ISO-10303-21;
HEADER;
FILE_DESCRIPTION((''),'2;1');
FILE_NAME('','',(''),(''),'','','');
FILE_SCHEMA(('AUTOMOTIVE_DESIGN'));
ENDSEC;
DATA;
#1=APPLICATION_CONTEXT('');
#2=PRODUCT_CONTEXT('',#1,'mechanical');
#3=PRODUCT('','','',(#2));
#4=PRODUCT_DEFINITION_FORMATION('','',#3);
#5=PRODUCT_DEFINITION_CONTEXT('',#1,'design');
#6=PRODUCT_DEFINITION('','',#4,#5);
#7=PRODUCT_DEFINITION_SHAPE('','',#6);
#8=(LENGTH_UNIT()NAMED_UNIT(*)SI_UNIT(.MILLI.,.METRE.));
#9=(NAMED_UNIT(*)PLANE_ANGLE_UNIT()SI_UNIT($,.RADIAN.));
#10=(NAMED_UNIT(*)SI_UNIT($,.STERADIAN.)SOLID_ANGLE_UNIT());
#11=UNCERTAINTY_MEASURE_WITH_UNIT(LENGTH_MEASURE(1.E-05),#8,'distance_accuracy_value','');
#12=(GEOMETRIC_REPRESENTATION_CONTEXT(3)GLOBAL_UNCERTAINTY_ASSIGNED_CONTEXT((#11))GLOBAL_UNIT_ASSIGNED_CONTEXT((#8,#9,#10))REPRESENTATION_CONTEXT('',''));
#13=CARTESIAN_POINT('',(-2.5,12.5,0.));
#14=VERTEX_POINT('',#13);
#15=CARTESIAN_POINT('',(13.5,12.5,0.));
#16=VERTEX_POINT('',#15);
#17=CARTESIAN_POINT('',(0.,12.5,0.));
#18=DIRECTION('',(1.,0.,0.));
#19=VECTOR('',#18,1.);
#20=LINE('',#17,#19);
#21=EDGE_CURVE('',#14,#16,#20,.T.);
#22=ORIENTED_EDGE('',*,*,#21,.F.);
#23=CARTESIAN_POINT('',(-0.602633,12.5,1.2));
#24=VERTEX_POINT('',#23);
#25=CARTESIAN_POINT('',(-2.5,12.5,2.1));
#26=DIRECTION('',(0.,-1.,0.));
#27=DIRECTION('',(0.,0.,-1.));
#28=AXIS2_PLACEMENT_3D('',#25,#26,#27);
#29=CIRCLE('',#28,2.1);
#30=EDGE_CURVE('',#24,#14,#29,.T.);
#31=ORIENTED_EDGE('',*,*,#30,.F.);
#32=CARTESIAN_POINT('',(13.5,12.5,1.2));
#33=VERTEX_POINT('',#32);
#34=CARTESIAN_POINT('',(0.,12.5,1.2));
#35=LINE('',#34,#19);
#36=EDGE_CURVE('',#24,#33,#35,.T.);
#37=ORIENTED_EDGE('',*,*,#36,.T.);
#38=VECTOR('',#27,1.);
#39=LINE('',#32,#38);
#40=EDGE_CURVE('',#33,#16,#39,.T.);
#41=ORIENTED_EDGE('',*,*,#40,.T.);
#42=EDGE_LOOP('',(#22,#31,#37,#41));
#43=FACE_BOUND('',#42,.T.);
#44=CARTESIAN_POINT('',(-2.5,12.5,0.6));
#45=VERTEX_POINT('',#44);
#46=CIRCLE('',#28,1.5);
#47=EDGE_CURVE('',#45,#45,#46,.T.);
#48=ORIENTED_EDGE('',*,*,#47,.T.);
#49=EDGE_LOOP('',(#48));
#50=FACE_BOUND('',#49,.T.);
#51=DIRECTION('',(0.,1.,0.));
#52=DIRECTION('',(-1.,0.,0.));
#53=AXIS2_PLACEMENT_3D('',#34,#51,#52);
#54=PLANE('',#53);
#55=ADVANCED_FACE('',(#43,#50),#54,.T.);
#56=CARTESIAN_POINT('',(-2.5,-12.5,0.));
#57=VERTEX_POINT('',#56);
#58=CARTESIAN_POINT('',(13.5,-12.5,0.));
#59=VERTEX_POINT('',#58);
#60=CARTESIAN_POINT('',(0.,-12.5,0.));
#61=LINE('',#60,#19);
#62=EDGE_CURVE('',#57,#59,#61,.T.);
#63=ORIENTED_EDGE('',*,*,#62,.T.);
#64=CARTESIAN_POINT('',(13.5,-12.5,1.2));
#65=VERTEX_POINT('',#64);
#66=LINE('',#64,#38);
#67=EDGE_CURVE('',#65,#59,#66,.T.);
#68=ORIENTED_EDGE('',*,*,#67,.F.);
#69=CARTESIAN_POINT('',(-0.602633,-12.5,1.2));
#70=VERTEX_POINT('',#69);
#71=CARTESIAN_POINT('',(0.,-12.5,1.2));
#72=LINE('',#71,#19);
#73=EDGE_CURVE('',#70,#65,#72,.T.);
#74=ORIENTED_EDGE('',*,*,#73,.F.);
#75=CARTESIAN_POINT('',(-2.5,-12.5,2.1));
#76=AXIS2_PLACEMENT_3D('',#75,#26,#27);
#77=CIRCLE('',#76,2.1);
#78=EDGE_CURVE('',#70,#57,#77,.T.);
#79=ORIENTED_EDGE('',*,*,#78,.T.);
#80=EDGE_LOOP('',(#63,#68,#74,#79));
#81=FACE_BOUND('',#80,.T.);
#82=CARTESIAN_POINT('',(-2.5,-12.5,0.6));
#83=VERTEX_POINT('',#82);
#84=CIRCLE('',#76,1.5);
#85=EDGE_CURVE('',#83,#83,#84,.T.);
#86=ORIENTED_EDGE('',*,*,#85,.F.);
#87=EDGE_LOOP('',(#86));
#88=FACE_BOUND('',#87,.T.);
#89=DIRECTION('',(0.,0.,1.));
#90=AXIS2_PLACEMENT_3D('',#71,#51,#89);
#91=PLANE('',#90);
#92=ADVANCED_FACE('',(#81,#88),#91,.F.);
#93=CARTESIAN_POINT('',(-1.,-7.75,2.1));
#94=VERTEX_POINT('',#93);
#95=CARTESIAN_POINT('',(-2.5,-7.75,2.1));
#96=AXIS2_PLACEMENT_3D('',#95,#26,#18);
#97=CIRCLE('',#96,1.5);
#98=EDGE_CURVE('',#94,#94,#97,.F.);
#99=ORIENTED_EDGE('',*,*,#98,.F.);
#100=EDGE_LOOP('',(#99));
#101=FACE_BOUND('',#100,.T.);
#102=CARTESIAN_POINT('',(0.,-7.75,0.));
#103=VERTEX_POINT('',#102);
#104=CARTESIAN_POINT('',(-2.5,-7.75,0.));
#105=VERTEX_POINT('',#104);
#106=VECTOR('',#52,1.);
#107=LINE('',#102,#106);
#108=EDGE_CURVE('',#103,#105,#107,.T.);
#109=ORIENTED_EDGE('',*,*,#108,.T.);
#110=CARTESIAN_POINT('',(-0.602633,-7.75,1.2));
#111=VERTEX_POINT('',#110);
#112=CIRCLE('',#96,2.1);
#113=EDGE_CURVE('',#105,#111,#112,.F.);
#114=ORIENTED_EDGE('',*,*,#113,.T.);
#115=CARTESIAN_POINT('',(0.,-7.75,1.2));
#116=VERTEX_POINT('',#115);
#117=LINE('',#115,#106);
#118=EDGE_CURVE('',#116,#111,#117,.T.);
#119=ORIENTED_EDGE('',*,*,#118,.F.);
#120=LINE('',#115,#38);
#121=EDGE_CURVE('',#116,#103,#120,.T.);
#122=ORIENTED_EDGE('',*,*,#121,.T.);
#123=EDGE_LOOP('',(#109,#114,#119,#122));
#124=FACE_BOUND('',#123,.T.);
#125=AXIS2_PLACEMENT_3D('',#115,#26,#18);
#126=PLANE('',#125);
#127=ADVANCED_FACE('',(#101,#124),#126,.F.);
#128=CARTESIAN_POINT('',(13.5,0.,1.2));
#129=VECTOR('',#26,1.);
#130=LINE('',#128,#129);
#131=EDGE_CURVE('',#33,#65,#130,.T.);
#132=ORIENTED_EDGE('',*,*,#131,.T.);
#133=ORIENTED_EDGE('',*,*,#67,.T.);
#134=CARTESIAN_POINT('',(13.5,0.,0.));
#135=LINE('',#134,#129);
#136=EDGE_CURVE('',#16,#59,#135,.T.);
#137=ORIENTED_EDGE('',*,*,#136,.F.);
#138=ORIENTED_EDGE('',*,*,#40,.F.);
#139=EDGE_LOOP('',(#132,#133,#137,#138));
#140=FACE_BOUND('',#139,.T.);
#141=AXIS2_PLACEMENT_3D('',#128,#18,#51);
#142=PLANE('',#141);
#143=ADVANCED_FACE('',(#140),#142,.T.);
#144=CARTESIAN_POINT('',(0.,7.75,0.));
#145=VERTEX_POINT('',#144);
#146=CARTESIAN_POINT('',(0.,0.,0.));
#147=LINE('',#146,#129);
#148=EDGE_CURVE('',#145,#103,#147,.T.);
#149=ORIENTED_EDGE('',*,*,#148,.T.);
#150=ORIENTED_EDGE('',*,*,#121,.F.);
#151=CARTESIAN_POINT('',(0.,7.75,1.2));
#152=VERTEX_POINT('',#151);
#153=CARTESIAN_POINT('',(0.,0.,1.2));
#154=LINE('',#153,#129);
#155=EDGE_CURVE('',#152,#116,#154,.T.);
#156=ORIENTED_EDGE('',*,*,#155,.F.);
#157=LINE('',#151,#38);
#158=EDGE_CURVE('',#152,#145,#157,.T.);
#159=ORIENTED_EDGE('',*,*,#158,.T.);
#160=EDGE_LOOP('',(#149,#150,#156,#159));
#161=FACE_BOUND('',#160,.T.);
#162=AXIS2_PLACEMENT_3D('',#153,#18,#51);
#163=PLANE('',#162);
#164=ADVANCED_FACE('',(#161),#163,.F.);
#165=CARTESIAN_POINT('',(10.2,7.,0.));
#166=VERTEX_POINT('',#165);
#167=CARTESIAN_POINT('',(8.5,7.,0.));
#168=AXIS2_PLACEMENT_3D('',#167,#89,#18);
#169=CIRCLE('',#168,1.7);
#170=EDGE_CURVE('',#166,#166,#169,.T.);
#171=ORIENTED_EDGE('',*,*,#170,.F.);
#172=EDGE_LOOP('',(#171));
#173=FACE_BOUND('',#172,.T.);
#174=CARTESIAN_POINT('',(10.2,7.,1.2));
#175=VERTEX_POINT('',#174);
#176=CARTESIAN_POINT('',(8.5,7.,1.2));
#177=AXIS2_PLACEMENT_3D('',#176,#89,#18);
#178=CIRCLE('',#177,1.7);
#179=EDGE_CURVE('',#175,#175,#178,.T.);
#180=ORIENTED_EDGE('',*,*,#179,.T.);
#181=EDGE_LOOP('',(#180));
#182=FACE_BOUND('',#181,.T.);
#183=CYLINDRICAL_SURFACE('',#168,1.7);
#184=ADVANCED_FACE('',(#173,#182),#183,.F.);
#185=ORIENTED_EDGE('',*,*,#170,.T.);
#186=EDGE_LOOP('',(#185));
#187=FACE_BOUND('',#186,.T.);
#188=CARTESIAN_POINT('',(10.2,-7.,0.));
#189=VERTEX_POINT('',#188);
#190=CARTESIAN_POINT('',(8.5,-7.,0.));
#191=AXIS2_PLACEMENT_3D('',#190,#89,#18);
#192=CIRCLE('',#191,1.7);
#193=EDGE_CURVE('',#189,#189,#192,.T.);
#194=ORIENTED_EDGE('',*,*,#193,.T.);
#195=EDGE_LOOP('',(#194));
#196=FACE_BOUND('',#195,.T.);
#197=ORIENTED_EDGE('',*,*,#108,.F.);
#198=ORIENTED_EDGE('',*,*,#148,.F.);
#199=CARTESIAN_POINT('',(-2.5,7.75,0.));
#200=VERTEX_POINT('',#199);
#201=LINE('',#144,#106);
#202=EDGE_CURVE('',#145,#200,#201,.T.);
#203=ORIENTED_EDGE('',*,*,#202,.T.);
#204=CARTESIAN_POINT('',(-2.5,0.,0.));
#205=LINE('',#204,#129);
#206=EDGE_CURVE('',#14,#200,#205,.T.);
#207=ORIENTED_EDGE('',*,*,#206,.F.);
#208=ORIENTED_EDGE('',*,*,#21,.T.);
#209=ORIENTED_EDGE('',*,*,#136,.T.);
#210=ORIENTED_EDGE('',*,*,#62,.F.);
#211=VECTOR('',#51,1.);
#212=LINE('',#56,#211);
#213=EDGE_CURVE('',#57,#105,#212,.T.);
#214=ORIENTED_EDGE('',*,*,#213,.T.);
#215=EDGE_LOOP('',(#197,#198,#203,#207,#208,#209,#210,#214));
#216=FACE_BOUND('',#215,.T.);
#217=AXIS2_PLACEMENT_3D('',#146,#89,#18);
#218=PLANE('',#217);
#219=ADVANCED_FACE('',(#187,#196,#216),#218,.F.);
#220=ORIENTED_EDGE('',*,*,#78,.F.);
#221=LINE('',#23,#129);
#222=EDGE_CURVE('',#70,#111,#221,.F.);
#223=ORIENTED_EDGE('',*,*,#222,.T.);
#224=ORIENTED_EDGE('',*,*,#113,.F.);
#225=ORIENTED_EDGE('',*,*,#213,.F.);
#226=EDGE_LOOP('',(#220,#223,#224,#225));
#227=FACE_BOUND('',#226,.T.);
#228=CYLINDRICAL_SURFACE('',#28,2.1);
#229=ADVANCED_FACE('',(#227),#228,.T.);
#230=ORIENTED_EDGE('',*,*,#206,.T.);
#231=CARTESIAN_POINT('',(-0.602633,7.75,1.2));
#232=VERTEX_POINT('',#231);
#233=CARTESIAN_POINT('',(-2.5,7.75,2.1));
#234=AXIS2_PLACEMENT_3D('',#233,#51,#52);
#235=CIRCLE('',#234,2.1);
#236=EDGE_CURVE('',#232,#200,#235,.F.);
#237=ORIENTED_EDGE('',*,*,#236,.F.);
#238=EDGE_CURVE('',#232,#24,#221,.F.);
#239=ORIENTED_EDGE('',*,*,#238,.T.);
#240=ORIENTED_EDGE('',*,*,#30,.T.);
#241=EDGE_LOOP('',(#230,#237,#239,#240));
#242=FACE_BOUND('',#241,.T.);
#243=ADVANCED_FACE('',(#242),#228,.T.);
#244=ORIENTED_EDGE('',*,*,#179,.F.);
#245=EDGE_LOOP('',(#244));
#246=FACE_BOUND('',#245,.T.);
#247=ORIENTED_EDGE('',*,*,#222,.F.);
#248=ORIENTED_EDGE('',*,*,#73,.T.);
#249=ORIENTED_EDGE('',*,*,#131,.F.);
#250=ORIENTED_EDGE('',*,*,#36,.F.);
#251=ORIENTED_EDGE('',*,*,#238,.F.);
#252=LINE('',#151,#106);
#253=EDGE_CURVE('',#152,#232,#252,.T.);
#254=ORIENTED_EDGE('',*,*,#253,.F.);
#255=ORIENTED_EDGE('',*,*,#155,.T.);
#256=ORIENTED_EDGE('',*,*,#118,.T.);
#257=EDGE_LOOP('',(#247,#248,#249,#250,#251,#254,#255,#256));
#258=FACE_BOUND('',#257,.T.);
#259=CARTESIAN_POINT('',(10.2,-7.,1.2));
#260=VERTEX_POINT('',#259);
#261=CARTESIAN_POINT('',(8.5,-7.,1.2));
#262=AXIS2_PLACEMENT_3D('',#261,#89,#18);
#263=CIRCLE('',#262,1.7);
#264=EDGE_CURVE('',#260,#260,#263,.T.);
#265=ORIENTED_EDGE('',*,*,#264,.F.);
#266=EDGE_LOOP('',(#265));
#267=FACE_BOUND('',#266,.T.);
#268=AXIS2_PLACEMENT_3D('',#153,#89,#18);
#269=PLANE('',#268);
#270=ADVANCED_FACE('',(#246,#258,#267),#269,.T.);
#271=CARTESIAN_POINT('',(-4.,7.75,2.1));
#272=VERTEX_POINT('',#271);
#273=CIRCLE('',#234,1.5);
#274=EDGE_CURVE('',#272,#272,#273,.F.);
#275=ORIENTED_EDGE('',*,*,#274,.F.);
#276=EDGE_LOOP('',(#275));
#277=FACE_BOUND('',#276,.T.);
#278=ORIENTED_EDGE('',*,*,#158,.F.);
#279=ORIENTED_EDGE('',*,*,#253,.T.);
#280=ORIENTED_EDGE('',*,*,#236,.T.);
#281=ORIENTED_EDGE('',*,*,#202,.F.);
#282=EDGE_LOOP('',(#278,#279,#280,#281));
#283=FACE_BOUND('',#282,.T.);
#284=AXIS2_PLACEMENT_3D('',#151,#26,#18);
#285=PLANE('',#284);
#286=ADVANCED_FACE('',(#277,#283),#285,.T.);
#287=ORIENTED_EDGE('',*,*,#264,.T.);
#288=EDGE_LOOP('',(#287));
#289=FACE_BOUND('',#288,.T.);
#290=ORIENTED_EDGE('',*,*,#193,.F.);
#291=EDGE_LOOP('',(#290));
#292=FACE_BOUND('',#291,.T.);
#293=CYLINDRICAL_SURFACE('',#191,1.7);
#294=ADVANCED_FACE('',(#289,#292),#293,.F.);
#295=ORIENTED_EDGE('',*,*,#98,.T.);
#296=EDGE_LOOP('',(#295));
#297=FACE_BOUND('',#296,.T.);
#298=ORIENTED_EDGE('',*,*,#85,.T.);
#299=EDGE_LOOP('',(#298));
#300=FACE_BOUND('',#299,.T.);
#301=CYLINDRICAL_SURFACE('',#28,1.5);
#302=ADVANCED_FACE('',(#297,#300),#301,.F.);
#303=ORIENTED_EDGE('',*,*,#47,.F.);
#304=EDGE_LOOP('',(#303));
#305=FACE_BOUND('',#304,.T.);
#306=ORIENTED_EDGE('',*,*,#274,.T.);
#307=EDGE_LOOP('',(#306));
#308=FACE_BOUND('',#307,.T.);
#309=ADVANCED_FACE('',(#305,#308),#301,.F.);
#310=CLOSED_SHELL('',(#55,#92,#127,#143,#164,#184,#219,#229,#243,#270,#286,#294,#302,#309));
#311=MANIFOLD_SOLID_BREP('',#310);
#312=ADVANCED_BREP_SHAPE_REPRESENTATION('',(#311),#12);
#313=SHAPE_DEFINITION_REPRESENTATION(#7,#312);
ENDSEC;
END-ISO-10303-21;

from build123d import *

# Parameters (mm, degrees)
SKETCH_1_W          = 13.5
SKETCH_1_H          = 25
SKETCH_1_W_2        = 2.5
SKETCH_1_H_2        = 4.75
EXTRUDE_1_DEPTH     = 1.2
SKETCH_2_R          = 1.7
CUT_EXTRUDE_1_DEPTH = 1.2
SKETCH_3_R          = 2.1
EXTRUDE_2_DEPTH     = 25
SKETCH_4_R          = 1.5
CUT_EXTRUDE_2_DEPTH = 25
SKETCH_5_W          = 5
SKETCH_5_H          = 15.5
CUT_EXTRUDE_3_DEPTH = 7.5


with BuildPart() as part:
    # 草图1 → 凸台-拉伸1 (new body)
    with BuildSketch(Plane.XY):
        with Locations((6.75, 0)):
            Rectangle(SKETCH_1_W, SKETCH_1_H)
        with Locations((-1.25, 10.125)):
            Rectangle(SKETCH_1_W_2, SKETCH_1_H_2)
        with Locations((-1.25, -10.125)):
            Rectangle(SKETCH_1_W_2, SKETCH_1_H_2)
    extrude(amount=EXTRUDE_1_DEPTH)

    # 草图2 → 切除-拉伸1 (cut)
    with BuildSketch(Plane.XY.offset(1.2)):
        with Locations((8.5, 7)):
            Circle(SKETCH_2_R)
        with Locations((8.5, -7)):
            Circle(SKETCH_2_R)
    extrude(amount=-CUT_EXTRUDE_1_DEPTH, mode=Mode.SUBTRACT)

    # 草图3 → 凸台-拉伸2 (add)
    with BuildSketch(Plane.XZ.offset(12.5)):
        with Locations(Location((-2.5, 2.1, 0), (0, 0, 270))):
            Circle(SKETCH_3_R)
    extrude(amount=-EXTRUDE_2_DEPTH)

    # 草图4 → 切除-拉伸2 (cut)
    with BuildSketch(Plane.XZ.offset(12.5)):
        with Locations(Location((-2.5, 2.1, 0), (0, 0, 270))):
            Circle(SKETCH_4_R)
    extrude(amount=-CUT_EXTRUDE_2_DEPTH, mode=Mode.SUBTRACT)

    # 草图5 → 切除-拉伸3 (cut, symmetric)
    with BuildSketch(Plane.XY.offset(1.2)):
        with Locations((-2.5, 0)):
            Rectangle(SKETCH_5_W, SKETCH_5_H)
    extrude(amount=CUT_EXTRUDE_3_DEPTH, both=True, mode=Mode.SUBTRACT)


solid = part.part
